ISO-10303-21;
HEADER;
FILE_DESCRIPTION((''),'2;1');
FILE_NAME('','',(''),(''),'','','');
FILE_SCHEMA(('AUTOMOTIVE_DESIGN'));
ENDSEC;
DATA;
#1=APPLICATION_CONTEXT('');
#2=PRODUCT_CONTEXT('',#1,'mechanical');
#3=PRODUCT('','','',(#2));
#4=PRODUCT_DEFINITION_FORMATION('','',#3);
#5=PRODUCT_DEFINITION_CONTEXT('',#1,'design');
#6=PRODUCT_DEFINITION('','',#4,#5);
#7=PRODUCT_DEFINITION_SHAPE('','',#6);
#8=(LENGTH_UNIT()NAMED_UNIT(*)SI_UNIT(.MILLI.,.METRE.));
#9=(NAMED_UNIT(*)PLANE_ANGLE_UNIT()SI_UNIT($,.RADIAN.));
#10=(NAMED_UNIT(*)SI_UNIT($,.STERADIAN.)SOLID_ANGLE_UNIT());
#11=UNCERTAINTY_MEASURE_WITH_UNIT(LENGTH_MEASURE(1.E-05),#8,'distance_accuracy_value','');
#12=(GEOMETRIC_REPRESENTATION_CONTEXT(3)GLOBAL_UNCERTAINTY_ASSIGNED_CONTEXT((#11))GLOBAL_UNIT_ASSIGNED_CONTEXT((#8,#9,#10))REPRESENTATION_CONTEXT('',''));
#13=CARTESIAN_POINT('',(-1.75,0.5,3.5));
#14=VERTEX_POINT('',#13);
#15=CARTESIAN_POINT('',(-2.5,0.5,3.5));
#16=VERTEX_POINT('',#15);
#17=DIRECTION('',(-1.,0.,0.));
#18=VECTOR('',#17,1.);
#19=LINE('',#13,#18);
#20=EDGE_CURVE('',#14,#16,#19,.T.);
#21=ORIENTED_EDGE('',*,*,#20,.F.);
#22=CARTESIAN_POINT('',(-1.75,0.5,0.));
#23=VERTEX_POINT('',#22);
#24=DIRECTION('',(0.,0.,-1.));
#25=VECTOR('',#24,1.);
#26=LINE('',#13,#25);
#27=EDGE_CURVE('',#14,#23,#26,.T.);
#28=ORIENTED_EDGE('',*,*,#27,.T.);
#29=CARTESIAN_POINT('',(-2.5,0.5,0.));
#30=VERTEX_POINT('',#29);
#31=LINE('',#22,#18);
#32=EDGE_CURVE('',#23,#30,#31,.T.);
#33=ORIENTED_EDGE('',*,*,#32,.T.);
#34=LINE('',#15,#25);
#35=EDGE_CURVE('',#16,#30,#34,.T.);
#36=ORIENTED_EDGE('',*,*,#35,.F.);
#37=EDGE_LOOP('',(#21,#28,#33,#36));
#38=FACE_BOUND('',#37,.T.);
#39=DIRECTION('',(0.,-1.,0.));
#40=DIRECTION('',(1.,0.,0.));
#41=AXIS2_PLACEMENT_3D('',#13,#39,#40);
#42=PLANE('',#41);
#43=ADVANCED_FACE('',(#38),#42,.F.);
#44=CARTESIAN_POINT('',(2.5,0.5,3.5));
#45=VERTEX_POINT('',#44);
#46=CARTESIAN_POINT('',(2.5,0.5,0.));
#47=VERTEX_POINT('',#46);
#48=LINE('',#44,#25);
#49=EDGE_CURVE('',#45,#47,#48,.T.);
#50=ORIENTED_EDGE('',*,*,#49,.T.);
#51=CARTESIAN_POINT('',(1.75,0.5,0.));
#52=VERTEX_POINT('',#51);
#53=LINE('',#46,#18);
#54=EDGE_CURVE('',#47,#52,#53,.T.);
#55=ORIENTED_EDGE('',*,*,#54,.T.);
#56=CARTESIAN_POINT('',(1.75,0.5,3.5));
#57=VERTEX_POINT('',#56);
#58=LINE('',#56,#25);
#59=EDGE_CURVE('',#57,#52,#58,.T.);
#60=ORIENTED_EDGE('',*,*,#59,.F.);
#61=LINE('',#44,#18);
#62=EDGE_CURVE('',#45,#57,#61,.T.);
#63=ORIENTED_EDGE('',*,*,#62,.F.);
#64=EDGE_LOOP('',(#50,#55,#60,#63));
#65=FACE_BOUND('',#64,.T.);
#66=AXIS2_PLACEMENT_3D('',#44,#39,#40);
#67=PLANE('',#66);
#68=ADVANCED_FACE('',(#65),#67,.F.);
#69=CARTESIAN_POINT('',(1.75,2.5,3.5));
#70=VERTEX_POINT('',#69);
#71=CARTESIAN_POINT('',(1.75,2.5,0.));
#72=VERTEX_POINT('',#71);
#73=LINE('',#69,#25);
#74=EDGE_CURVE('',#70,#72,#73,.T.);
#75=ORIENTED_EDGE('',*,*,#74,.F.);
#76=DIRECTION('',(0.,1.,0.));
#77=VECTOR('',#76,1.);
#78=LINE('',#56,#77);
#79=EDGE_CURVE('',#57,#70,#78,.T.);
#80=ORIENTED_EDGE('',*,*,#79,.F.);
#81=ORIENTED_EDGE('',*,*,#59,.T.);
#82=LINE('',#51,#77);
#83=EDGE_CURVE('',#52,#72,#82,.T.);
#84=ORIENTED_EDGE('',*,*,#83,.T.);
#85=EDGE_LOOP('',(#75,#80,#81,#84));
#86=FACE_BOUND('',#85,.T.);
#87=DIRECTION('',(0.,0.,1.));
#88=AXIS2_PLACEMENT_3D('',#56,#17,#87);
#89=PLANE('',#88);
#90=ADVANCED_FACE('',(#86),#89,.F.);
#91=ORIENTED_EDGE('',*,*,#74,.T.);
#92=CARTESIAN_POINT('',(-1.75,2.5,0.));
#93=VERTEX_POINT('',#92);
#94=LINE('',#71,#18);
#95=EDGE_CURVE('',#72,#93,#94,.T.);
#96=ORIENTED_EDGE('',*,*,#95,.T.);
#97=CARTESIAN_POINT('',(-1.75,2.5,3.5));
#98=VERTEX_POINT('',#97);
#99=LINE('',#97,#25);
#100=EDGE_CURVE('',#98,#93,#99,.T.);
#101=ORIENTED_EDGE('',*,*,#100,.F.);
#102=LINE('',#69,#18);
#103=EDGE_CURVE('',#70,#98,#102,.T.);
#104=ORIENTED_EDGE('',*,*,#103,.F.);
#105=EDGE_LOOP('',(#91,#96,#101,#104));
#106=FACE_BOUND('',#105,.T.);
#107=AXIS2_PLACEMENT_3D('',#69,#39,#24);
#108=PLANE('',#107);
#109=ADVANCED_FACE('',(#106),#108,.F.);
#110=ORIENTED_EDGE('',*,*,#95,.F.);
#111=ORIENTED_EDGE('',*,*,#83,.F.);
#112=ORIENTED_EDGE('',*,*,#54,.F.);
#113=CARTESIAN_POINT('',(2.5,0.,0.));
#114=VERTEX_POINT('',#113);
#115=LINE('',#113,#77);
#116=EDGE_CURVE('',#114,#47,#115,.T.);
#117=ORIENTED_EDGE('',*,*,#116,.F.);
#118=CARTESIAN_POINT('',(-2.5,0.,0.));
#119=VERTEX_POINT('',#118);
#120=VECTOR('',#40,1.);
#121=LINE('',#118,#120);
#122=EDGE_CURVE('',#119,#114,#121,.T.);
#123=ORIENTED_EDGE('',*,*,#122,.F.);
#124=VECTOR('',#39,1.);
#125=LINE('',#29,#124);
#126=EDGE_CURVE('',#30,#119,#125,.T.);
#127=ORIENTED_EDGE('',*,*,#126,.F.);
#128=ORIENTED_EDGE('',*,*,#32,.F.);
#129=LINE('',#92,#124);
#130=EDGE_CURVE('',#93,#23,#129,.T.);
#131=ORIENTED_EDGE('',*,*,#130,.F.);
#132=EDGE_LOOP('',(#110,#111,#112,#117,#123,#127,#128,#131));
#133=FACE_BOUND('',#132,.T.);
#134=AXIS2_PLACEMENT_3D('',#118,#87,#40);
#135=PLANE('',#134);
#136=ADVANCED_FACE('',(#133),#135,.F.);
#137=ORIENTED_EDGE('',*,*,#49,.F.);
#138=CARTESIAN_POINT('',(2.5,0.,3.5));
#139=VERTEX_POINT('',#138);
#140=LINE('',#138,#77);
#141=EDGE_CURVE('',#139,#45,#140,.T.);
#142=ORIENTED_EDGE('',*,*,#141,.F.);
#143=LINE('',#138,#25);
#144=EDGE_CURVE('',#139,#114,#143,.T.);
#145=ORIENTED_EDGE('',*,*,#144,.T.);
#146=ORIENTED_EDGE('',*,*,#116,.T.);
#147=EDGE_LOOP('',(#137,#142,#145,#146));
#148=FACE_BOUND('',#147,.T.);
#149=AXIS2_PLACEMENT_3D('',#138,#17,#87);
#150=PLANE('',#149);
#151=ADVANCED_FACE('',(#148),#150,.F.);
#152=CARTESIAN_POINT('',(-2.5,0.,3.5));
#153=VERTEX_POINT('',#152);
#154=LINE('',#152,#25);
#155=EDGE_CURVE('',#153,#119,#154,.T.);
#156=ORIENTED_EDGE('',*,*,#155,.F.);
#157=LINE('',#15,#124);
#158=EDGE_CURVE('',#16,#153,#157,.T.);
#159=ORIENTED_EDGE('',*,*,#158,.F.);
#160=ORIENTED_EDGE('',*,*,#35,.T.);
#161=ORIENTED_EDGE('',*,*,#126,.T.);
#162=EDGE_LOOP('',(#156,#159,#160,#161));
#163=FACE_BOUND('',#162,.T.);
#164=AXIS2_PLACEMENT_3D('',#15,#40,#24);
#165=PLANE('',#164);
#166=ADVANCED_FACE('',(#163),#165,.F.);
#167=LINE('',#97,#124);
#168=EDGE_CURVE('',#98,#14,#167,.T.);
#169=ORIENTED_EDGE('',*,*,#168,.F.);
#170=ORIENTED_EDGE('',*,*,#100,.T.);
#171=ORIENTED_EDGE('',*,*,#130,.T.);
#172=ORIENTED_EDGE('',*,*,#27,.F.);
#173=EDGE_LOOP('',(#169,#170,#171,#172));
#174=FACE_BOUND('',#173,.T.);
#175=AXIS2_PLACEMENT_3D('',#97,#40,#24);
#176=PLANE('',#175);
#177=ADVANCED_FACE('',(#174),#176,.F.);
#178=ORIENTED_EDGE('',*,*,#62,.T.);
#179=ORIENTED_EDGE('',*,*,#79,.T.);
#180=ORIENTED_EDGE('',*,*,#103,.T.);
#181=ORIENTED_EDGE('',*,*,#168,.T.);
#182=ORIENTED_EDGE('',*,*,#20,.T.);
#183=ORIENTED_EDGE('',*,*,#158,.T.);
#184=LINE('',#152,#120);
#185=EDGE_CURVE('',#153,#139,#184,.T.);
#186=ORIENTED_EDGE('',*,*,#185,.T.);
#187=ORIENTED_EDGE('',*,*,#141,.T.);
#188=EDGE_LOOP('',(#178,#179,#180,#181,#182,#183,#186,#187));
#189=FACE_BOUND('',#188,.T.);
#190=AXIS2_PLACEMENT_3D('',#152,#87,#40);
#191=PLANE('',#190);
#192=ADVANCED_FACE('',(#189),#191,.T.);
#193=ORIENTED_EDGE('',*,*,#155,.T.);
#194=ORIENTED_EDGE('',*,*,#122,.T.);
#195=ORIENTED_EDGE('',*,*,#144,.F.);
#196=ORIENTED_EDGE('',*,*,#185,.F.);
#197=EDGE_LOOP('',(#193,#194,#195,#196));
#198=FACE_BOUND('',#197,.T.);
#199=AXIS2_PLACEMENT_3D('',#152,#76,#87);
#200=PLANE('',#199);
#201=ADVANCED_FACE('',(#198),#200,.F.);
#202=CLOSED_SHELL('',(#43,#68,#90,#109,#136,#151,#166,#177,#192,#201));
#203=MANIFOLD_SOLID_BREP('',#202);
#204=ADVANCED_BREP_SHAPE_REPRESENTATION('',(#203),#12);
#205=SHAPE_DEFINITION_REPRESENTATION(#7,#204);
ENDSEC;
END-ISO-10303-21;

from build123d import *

# Parameters (mm, degrees)
EXTRUDE_1_DEPTH = 3.5


with BuildPart() as part:
    # Эскиз1 → Бобышка-Вытянуть1 (new body)
    with BuildSketch(Plane.XY):
        Polygon((-2.5, 0), (2.5, 0), (2.5, 0.5), (1.75, 0.5), (1.75, 2.5), (-1.75, 2.5), (-1.75, 0.5), (-2.5, 0.5), align=None)
    extrude(amount=EXTRUDE_1_DEPTH)


solid = part.part
